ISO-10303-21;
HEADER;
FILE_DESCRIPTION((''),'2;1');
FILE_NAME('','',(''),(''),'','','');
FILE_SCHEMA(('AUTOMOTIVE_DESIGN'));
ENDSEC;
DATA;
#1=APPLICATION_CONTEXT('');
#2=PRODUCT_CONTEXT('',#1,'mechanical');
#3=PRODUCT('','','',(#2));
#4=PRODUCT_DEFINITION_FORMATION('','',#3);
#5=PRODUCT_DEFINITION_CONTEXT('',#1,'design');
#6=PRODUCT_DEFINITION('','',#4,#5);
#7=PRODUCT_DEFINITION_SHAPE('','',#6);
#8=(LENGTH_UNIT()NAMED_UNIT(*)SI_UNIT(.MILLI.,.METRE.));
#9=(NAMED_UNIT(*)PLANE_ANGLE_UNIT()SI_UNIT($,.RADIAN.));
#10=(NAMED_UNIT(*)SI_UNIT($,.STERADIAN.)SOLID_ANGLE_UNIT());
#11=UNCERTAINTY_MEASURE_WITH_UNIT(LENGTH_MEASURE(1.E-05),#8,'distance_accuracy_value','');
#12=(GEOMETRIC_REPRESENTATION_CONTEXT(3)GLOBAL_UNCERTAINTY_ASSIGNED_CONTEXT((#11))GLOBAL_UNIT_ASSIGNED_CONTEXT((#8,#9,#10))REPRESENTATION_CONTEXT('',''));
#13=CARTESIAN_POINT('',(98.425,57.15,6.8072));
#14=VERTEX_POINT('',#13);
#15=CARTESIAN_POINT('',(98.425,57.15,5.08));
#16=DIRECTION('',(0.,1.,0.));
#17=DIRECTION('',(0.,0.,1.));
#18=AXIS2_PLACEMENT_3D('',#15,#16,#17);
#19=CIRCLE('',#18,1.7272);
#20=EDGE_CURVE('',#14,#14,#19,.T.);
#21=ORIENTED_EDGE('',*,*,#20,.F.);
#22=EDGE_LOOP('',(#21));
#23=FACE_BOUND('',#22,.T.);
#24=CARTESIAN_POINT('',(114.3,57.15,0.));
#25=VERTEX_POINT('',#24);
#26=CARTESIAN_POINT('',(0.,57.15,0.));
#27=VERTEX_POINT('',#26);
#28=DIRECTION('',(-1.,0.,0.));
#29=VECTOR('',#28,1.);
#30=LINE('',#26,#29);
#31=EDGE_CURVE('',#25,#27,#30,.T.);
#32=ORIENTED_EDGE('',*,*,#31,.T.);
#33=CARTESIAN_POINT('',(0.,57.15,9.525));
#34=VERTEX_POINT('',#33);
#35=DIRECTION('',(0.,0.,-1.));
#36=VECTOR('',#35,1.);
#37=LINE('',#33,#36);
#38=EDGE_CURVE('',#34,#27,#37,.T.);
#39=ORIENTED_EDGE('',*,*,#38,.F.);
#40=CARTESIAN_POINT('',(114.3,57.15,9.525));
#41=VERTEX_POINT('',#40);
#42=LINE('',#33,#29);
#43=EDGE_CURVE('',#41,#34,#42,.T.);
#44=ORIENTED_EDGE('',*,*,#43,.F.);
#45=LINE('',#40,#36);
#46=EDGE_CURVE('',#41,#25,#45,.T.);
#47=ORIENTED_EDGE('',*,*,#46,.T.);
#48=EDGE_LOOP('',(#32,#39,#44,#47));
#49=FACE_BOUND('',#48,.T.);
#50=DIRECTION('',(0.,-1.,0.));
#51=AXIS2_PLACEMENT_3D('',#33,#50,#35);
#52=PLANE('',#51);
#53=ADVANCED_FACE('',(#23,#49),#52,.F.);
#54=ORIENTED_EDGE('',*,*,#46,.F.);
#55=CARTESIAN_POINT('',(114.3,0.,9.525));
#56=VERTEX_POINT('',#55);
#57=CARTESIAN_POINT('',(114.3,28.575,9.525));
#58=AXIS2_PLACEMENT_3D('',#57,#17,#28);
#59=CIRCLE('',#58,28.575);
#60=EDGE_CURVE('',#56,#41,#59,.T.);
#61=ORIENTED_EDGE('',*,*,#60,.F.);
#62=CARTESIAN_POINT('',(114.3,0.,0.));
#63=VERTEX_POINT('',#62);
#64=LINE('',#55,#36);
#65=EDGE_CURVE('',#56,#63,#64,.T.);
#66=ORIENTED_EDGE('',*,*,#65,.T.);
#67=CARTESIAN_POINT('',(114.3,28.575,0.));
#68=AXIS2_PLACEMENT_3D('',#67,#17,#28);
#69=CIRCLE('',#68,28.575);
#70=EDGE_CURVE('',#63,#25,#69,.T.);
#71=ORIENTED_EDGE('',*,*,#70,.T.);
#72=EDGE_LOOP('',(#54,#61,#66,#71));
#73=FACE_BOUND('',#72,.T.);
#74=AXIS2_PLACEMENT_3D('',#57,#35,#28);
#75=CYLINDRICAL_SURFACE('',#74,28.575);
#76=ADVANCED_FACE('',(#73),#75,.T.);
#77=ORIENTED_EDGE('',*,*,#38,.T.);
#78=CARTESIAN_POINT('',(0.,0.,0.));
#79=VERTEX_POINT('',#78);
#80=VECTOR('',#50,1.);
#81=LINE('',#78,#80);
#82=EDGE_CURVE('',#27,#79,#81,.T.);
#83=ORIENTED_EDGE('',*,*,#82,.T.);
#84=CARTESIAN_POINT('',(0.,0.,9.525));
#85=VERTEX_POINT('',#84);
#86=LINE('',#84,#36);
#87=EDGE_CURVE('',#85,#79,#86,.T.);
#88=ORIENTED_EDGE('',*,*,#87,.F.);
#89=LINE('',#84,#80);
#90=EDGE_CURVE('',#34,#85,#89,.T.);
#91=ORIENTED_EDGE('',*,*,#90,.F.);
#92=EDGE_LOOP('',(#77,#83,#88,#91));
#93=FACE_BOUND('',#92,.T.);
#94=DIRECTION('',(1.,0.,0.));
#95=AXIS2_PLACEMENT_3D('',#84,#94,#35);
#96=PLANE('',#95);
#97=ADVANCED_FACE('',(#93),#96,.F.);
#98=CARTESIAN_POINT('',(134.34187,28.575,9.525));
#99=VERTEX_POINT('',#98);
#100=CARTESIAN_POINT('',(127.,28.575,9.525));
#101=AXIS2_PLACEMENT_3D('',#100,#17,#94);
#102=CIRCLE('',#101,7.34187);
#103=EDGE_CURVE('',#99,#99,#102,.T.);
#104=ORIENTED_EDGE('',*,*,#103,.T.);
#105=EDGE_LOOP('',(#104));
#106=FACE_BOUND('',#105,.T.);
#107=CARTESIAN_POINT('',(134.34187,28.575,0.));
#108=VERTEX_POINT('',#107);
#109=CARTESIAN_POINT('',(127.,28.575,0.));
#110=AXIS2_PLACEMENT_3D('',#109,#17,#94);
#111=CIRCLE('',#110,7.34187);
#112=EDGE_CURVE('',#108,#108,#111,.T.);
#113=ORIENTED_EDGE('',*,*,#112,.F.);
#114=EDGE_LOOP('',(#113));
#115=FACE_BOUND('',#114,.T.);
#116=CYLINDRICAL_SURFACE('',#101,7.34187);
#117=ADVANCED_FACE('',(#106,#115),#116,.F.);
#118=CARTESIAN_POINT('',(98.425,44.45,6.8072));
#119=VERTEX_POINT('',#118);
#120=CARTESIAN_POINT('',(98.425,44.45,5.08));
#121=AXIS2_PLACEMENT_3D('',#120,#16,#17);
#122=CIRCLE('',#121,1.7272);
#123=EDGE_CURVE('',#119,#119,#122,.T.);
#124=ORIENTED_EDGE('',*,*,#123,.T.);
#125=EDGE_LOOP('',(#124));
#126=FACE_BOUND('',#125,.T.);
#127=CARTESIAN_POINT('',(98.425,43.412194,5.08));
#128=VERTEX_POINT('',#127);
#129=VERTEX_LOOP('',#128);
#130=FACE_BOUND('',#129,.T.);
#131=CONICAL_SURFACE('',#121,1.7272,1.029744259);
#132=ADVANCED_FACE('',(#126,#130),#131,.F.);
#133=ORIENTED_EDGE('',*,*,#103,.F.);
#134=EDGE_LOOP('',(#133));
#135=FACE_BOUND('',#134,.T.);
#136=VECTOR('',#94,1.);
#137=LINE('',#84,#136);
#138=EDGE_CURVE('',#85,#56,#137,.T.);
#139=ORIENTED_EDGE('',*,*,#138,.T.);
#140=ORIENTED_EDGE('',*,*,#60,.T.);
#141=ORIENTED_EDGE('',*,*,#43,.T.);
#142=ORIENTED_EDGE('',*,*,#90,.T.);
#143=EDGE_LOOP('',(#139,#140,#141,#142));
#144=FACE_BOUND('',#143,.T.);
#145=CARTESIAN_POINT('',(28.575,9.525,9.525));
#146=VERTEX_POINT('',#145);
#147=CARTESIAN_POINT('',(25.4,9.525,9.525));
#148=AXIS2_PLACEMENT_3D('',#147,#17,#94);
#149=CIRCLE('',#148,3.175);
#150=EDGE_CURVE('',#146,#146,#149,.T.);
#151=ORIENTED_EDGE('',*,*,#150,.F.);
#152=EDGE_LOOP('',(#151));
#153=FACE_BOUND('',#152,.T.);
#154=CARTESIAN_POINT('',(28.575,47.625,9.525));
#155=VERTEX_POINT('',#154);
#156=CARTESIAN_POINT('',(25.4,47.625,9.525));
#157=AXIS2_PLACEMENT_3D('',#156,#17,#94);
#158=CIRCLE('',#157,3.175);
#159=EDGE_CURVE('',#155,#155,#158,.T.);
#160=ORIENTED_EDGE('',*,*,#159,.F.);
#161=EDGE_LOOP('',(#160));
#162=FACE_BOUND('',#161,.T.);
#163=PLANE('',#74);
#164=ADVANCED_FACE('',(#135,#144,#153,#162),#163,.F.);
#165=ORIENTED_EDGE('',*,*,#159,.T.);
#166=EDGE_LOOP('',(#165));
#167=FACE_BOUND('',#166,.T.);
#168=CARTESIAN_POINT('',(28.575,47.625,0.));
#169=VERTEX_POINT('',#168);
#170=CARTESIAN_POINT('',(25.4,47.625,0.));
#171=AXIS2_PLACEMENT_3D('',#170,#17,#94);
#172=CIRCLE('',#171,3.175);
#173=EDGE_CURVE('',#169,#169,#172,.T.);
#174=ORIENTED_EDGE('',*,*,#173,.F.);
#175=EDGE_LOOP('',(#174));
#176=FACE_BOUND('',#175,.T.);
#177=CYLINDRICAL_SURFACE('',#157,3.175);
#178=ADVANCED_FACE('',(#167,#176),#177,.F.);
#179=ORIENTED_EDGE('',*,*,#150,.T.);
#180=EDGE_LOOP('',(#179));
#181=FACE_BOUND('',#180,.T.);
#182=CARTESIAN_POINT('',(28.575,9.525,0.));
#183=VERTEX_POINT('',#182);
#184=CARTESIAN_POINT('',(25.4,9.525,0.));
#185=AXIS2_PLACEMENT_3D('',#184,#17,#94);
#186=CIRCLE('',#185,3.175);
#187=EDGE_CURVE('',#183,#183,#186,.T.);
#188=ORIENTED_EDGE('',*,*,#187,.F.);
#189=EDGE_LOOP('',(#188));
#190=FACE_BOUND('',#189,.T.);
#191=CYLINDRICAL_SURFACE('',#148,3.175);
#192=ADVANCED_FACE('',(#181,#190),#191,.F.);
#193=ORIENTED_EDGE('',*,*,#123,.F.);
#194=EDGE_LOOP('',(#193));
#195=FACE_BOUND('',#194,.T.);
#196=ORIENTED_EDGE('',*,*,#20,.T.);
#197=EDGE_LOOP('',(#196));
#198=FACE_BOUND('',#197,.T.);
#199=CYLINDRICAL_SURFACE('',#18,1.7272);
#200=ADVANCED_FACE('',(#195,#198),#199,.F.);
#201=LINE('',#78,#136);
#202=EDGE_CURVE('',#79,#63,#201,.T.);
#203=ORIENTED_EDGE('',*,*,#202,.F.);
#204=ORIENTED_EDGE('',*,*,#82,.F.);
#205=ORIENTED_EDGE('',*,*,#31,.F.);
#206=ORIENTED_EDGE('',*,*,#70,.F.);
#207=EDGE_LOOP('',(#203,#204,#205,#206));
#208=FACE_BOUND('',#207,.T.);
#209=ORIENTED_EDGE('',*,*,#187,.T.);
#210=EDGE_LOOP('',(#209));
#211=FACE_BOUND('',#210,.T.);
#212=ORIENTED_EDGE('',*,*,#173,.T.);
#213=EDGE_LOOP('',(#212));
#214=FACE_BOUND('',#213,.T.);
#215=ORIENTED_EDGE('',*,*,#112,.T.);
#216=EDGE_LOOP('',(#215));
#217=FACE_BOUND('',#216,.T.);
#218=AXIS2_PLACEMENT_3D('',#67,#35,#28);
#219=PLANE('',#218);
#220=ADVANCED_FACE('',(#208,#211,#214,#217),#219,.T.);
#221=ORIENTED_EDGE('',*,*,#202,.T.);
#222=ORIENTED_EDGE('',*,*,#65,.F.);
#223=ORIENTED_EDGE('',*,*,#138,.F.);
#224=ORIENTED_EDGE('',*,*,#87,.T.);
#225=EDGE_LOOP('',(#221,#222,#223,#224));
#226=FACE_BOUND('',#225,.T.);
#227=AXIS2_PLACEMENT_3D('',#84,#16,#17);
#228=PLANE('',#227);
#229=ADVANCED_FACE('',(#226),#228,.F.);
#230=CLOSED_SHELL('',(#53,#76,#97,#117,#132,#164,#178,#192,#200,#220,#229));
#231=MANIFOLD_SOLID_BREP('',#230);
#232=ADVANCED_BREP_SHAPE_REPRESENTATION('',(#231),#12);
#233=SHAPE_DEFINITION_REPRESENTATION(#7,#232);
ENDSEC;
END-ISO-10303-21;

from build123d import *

# Parameters (mm, degrees)
BOSS_EXTRUDE1_DEPTH         = 9.525
F_5_8_18_TAPPED_HOLE1_D     = 14.68374
F_1_4_0_25_DIAMETER_HOLE1_D = 6.35
F_8_32_TAPPED_HOLE1_D       = 3.4544
F_8_32_TAPPED_HOLE1_DEPTH   = 12.7
F_8_32_TAPPED_HOLE1_TIP     = 1.037806461


with BuildPart() as part:
    # Sketch1 → Boss-Extrude1 (new body)
    with BuildSketch(Plane.XY):
        with BuildLine():
            Line((0, 0), (114.3, 0))
            ThreePointArc((114.3, 0), (142.875, 28.575), (114.3, 57.15))
            Line((114.3, 57.15), (0, 57.15))
            Line((0, 57.15), (0, 0))
        make_face()
    extrude(amount=BOSS_EXTRUDE1_DEPTH)

    # 5/8-18 Tapped Hole1 (through all)
    with Locations(Plane.XY.offset(9.525)):
        with Locations((127, 28.575)):
            Hole(F_5_8_18_TAPPED_HOLE1_D / 2)

    # 1/4 (0.25) Diameter Hole1 (through all)
    with Locations(Plane(origin=(25.4, 47.625, 9.525), x_dir=(1, 0, 0), z_dir=(0, 0, 1))):
        with Locations((0, 0), (0, -38.1)):
            Hole(F_1_4_0_25_DIAMETER_HOLE1_D / 2)

    # #8-32 Tapped Hole1
    with Locations(Plane(origin=(98.425, 57.15, 5.08), x_dir=(0, 0, 1), z_dir=(0, 1, 0))):
        with Locations((0, 0)):
            Hole(F_8_32_TAPPED_HOLE1_D / 2, depth=F_8_32_TAPPED_HOLE1_DEPTH)
            with Locations((0, 0, -(F_8_32_TAPPED_HOLE1_DEPTH + F_8_32_TAPPED_HOLE1_TIP / 2))):  # 118° drill point
                Cone(0, F_8_32_TAPPED_HOLE1_D / 2, F_8_32_TAPPED_HOLE1_TIP, mode=Mode.SUBTRACT)


solid = part.part
